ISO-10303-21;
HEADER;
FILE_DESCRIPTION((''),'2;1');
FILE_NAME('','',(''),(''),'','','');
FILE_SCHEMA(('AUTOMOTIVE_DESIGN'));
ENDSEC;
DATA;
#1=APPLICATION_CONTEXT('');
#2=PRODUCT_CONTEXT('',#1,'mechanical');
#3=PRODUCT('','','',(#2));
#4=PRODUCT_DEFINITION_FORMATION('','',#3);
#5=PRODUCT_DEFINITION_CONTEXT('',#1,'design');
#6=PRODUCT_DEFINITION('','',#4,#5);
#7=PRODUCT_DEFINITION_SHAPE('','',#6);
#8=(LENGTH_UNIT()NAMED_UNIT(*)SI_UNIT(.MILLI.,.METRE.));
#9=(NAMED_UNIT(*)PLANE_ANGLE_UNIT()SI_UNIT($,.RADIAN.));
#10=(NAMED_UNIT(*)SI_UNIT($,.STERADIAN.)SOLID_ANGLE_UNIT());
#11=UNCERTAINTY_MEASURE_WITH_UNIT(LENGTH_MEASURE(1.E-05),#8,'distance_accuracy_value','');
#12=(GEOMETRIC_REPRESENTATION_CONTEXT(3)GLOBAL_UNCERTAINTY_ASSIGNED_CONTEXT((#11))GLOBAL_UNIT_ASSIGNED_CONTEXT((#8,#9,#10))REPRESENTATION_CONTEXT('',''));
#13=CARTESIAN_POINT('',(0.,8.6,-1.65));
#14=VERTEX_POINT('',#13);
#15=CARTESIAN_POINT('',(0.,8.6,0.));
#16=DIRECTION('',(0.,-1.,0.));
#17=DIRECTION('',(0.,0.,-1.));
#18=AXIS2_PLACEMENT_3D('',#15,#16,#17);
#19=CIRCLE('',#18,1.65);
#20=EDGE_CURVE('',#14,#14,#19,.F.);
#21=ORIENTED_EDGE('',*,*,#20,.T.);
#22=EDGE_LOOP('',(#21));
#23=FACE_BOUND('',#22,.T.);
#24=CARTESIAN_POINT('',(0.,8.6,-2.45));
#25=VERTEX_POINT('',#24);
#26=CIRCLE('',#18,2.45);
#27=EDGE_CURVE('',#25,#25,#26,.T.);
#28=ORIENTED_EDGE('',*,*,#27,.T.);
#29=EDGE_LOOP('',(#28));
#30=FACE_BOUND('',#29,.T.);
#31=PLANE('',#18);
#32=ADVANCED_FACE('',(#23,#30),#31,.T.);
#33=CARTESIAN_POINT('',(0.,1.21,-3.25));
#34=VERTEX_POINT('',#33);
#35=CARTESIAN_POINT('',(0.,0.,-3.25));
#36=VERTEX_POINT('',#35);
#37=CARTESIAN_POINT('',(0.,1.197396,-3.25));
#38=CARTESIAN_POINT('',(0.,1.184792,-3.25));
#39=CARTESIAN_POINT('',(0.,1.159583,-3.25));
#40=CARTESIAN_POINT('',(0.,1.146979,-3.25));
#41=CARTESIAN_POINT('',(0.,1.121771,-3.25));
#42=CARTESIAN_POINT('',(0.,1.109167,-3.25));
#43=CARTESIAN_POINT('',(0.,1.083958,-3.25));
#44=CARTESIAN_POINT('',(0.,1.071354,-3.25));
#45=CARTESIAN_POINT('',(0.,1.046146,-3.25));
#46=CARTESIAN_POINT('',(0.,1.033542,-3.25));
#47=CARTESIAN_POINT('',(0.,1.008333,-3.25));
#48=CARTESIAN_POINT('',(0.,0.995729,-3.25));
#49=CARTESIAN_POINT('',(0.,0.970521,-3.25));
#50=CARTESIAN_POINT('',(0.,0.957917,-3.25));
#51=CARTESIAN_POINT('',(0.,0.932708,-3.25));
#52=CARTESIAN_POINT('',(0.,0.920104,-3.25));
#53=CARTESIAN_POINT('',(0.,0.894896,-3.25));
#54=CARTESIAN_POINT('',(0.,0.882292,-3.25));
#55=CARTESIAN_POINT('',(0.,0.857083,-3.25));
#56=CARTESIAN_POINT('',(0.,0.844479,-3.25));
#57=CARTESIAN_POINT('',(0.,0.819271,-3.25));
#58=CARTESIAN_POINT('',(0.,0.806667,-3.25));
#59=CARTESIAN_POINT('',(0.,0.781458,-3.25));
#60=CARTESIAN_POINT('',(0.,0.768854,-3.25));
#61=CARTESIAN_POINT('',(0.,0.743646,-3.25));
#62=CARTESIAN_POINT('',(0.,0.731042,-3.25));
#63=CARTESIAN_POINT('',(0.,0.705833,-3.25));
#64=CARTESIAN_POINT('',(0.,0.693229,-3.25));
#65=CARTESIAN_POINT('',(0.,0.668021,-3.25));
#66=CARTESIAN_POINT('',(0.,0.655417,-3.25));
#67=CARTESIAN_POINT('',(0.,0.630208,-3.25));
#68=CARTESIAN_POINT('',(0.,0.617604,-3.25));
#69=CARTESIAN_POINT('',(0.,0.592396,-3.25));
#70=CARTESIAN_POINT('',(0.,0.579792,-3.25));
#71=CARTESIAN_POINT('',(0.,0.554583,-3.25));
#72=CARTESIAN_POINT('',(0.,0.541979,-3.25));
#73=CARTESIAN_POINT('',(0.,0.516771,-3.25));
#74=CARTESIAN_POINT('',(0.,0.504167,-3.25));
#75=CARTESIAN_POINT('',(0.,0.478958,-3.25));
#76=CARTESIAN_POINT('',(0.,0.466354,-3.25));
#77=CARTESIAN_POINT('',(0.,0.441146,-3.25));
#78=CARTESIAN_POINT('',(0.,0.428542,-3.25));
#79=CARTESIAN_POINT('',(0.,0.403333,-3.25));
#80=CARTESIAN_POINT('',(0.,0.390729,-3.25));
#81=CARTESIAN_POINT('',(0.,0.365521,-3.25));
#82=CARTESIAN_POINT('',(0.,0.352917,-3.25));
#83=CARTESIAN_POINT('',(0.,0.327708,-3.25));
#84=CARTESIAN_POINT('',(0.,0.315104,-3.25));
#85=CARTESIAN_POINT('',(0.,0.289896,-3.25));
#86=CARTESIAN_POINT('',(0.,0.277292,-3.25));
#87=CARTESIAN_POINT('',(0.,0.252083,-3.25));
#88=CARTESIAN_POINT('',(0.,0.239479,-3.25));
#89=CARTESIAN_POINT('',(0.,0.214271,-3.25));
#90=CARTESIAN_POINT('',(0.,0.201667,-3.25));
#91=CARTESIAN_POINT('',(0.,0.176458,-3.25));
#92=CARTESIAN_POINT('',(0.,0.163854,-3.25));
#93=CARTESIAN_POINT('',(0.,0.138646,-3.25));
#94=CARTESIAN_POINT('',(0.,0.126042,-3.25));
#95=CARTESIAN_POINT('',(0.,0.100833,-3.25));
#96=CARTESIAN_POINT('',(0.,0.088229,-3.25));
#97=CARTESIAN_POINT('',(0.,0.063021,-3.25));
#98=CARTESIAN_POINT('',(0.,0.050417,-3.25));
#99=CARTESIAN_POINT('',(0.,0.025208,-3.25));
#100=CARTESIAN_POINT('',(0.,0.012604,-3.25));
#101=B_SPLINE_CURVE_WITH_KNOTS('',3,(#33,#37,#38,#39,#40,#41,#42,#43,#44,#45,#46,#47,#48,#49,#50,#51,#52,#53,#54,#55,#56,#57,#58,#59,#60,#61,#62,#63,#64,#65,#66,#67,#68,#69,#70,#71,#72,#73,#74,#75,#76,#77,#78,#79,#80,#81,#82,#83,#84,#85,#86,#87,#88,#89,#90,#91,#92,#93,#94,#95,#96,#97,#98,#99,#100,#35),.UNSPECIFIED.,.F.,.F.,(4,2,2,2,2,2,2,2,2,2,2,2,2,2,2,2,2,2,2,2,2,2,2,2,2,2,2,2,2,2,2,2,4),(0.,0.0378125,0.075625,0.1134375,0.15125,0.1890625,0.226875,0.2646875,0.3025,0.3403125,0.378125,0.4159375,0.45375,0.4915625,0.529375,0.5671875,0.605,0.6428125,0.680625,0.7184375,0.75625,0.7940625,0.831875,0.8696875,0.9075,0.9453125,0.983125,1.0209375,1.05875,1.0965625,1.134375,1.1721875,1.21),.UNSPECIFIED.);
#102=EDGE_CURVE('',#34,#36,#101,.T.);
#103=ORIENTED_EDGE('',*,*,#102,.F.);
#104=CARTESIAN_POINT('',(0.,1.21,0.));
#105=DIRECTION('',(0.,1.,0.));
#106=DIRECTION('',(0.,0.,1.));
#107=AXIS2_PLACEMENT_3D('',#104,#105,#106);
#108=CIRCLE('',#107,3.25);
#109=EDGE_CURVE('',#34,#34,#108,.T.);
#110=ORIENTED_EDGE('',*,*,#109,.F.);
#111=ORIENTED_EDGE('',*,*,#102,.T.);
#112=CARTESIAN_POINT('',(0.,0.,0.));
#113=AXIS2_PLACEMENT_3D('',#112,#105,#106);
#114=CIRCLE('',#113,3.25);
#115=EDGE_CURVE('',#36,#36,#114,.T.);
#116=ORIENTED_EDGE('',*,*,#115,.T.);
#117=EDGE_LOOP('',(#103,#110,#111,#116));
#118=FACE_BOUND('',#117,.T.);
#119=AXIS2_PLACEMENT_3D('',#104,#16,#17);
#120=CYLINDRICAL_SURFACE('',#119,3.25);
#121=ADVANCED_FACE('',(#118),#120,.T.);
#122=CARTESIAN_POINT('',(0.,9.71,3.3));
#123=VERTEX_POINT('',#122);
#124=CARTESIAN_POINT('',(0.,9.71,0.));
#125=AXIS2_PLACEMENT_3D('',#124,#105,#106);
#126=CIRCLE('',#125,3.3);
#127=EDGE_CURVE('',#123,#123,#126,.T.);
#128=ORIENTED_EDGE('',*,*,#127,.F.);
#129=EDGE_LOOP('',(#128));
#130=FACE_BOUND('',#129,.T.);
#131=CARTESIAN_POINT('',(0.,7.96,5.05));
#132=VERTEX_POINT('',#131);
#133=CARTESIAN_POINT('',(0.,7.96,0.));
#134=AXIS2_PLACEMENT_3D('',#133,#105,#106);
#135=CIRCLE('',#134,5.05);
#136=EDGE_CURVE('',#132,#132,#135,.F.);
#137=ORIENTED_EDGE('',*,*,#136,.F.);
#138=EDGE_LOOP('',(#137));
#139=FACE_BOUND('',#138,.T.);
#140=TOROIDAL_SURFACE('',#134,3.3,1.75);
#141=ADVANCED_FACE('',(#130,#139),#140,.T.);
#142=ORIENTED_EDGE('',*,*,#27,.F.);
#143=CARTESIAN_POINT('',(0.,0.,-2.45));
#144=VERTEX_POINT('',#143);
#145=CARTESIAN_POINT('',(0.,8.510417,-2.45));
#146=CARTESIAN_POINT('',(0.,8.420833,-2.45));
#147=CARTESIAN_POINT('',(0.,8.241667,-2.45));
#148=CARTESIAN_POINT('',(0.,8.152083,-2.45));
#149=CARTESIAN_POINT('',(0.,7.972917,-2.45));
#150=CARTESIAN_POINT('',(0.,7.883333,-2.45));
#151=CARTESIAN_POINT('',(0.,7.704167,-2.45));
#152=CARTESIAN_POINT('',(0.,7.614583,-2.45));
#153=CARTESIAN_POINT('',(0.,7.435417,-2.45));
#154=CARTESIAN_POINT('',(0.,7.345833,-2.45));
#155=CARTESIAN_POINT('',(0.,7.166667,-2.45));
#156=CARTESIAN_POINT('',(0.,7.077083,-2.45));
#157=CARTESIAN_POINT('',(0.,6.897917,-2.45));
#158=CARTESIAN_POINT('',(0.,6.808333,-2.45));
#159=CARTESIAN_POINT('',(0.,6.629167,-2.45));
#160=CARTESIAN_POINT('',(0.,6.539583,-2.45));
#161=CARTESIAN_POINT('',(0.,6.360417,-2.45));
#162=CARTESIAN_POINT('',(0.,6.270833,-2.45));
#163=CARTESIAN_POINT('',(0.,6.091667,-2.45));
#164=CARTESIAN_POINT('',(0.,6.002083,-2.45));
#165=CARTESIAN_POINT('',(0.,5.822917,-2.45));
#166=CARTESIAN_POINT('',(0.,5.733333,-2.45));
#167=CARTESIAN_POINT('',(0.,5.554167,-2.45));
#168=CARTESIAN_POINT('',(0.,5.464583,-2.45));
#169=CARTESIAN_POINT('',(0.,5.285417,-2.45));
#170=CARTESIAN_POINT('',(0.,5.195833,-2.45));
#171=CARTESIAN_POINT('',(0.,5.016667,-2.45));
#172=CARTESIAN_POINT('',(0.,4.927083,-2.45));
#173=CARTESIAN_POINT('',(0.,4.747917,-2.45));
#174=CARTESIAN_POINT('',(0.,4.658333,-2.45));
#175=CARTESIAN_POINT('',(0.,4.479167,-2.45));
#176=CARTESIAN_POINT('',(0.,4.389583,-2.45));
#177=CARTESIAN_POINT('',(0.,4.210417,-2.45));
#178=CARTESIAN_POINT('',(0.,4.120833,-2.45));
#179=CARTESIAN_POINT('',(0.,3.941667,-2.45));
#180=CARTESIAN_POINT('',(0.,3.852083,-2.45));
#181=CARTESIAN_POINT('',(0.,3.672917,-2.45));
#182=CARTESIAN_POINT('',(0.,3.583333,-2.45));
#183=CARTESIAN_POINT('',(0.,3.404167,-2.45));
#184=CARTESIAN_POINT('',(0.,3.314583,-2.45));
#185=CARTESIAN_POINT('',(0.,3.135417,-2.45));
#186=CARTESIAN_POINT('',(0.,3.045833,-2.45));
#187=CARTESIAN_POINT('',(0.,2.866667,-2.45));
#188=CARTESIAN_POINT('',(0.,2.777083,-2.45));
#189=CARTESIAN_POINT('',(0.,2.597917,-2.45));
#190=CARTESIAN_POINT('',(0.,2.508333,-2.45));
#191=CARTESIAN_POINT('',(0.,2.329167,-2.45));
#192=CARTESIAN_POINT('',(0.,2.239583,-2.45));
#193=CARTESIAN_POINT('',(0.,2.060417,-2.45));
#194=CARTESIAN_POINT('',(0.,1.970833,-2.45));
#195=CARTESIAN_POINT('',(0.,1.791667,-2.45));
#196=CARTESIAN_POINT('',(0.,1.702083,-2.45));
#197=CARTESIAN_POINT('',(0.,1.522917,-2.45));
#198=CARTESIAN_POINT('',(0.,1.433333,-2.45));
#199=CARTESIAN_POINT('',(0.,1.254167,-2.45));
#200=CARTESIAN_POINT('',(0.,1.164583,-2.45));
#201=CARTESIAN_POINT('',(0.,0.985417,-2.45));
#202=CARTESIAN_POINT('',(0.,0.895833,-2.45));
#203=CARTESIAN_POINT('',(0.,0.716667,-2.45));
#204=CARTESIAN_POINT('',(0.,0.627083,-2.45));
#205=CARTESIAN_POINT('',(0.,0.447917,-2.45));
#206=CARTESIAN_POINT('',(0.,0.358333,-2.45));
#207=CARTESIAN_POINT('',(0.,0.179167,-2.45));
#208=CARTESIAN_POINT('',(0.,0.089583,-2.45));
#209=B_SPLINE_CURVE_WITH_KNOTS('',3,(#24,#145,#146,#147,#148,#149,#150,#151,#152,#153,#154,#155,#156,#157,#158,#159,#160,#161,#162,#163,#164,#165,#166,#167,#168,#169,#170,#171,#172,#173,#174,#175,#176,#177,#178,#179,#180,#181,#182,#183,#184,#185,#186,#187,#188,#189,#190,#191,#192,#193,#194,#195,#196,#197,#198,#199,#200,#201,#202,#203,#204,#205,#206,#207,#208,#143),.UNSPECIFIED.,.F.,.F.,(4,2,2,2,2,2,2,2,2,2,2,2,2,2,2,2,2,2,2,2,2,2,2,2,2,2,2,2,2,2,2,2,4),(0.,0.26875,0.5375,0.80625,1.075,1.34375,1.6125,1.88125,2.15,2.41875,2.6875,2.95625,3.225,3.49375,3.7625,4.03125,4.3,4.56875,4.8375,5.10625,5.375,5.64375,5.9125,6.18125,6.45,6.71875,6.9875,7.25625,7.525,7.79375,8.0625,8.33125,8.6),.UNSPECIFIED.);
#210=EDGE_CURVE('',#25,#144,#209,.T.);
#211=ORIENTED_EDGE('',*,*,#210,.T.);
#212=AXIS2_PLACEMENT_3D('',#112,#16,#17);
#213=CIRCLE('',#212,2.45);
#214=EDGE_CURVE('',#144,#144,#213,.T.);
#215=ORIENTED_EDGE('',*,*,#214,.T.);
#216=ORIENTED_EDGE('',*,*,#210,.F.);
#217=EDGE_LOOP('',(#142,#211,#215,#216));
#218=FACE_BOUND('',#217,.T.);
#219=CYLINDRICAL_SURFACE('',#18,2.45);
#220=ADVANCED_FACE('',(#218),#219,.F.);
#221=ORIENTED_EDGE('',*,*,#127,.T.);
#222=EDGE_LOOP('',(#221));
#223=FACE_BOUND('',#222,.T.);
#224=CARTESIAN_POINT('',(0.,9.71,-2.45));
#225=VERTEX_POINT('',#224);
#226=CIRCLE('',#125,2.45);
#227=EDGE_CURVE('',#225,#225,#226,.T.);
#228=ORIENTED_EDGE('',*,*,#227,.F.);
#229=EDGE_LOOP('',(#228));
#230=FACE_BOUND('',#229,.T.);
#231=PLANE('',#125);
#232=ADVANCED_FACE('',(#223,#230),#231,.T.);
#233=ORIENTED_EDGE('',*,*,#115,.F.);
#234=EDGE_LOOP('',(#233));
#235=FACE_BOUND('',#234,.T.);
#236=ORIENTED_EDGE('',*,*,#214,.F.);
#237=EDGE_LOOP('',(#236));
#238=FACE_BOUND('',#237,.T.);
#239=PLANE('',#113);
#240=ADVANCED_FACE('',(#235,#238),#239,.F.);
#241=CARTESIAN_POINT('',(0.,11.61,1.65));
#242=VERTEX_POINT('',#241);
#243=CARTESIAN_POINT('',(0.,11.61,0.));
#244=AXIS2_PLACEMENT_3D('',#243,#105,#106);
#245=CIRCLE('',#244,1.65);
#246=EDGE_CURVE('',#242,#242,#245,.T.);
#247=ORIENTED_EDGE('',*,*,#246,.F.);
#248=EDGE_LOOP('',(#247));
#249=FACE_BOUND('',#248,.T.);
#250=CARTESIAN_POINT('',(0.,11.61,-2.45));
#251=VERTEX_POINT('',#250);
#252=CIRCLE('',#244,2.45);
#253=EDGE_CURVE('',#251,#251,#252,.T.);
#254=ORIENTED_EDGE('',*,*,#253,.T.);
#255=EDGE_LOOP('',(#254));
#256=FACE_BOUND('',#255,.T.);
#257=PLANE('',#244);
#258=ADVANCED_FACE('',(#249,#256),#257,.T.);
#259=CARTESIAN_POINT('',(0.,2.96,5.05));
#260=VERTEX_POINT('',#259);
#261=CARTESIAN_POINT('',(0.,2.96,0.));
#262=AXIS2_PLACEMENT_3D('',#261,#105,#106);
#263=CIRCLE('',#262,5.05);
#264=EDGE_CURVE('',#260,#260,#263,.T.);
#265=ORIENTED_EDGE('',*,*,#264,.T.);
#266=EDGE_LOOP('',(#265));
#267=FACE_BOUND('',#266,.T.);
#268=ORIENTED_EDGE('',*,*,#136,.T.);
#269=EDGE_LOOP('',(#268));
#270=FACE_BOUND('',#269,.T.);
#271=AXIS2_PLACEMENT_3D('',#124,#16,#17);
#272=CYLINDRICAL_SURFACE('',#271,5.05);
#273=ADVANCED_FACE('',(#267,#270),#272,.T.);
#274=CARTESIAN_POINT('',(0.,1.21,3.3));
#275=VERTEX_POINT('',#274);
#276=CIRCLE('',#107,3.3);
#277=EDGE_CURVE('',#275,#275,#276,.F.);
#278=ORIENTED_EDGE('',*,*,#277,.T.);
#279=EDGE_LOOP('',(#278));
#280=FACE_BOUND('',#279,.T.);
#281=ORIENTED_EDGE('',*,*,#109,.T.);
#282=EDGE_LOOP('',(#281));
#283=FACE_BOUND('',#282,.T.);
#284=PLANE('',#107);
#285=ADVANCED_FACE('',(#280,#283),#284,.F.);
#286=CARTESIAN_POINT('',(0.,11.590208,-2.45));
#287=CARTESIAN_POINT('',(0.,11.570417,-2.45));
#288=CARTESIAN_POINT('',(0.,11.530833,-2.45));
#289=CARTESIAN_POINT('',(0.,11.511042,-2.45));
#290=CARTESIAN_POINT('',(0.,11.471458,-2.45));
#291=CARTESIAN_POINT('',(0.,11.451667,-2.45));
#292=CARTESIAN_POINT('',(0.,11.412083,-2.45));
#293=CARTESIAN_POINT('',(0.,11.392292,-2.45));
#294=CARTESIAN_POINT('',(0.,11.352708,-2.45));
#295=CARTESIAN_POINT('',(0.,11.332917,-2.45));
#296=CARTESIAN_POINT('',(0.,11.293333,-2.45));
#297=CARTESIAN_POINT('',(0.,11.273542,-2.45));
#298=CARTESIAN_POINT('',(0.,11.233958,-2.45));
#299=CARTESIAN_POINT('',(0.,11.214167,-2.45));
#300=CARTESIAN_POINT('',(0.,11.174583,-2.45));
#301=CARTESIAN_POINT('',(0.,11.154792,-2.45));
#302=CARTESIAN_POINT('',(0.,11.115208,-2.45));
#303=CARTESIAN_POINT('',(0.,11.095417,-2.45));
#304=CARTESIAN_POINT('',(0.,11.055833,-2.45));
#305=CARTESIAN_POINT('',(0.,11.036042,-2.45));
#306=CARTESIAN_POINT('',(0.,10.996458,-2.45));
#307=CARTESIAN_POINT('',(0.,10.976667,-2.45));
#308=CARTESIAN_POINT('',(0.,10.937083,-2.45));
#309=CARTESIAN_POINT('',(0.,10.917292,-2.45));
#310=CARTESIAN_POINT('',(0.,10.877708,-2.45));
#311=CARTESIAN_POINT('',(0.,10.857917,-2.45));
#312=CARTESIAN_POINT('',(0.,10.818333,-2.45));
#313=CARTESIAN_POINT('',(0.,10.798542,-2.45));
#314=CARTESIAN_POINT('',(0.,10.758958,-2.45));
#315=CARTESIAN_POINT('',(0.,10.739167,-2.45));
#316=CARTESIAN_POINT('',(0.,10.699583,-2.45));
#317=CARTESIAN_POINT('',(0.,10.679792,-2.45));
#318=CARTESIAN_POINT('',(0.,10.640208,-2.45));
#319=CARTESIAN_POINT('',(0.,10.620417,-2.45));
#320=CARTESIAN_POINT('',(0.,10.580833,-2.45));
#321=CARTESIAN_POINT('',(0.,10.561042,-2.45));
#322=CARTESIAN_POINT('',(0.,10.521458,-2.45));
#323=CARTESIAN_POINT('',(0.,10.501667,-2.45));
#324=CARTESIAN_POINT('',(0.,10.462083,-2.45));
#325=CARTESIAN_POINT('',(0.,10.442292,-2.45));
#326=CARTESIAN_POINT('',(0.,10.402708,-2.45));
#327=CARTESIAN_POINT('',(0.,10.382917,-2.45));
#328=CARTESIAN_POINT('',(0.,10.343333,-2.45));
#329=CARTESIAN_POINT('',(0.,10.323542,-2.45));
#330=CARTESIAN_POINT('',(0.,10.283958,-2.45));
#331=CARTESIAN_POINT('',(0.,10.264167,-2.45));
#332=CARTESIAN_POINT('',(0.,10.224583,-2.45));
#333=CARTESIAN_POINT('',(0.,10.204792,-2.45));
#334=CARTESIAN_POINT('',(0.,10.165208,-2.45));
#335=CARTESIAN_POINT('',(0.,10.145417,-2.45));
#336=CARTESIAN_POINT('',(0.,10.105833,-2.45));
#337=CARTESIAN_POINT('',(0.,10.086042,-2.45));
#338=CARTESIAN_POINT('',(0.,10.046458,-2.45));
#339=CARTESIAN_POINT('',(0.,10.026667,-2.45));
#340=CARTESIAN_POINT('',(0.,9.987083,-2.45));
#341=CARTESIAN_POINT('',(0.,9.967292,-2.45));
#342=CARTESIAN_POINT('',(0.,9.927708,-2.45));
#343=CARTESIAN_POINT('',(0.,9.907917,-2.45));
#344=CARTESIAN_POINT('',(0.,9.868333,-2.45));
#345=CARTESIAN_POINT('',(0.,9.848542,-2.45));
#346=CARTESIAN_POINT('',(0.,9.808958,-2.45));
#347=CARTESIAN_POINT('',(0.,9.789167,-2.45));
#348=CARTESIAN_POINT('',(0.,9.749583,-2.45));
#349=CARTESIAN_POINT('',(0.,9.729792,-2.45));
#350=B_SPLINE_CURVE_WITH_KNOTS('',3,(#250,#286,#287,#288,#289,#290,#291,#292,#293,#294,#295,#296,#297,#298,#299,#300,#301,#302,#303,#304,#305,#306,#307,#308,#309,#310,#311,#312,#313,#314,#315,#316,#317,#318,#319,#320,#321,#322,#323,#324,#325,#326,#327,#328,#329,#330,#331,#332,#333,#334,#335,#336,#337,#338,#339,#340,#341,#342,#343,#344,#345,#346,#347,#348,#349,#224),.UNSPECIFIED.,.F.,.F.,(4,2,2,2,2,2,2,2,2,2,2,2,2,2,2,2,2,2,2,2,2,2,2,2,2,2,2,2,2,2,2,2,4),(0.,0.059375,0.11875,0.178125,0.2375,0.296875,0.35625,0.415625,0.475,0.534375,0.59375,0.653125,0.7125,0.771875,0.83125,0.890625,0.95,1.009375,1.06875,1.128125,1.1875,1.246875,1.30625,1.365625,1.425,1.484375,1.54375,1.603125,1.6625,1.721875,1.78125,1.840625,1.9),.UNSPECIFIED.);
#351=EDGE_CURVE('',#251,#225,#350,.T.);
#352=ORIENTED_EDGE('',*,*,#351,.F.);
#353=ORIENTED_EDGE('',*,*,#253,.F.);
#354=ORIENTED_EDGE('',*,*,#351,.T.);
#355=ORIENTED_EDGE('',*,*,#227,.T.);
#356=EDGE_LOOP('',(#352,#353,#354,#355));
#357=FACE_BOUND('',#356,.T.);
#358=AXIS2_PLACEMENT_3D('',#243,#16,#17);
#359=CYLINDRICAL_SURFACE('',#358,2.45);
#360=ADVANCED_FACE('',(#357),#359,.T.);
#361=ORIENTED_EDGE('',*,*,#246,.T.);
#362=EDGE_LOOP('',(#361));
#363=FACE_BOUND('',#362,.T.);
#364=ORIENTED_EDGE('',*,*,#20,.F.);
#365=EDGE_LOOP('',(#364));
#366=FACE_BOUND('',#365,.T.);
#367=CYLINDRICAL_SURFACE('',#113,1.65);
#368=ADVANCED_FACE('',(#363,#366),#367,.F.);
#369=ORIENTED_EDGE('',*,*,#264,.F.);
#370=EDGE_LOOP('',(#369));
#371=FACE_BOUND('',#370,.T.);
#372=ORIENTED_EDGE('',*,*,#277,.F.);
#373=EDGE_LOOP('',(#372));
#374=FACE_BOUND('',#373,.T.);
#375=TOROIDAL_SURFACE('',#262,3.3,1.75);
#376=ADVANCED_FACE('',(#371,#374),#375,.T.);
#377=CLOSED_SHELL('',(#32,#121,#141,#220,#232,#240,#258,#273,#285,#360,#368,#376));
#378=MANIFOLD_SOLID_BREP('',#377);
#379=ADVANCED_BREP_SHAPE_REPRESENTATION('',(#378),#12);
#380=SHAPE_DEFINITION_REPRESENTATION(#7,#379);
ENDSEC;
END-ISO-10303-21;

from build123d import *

# Parameters (mm, degrees)
SKETCH1_R           = 3.25
BOSS_EXTRUDE1_DEPTH = 1.21
SKETCH2_R           = 5.05
BOSS_EXTRUDE2_DEPTH = 8.5
SKETCH3_R           = 2.45
BOSS_EXTRUDE3_DEPTH = 1.9
FILLET1_R           = 1.75
FILLET2_R           = 1.75
SKETCH4_R           = 1.65
CUT_EXTRUDE1_DEPTH  = 14.630740992
SKETCH5_R           = 2.45
CUT_EXTRUDE3_DEPTH  = 8.6


with BuildPart() as part:
    # Sketch1 → Boss-Extrude1 (new body)
    with BuildSketch(Plane(origin=(0, 0, 0), x_dir=(1, 0, 0), z_dir=(0, 1, 0))):
        with Locations(Location((0, 0, 0), (0, 0, 90))):
            Circle(SKETCH1_R)
    extrude(amount=BOSS_EXTRUDE1_DEPTH)

    # Sketch2 → Boss-Extrude2 (add)
    with BuildSketch(Plane(origin=(0, 1.21, 0), x_dir=(1, 0, 0), z_dir=(0, 1, 0))):
        with Locations(Location((0, 0, 0), (0, 0, 270))):
            Circle(SKETCH2_R)
    extrude(amount=BOSS_EXTRUDE2_DEPTH)

    # Sketch3 → Boss-Extrude3 (add)
    with BuildSketch(Plane(origin=(0, 9.71, 0), x_dir=(1, 0, 0), z_dir=(0, 1, 0))):
        with Locations(Location((0, 0, 0), (0, 0, 90))):
            Circle(SKETCH3_R)
    extrude(amount=BOSS_EXTRUDE3_DEPTH)

    # Fillet1
    fillet1_edges = [part.edges().sort_by_distance(p)[0] for p in [
        (0, 9.71, -5.05),
    ]]
    fillet(fillet1_edges, radius=FILLET1_R)

    # Fillet2
    fillet2_edges = [part.edges().sort_by_distance(p)[0] for p in [
        (0, 1.21, -5.05),
    ]]
    fillet(fillet2_edges, radius=FILLET2_R)

    # Sketch4 → Cut-Extrude1 (cut, through all)
    with BuildSketch(Plane(origin=(0, 11.61, 0), x_dir=(1, 0, 0), z_dir=(0, 1, 0))):
        with Locations(Location((0, 0, 0), (0, 0, 270))):
            Circle(SKETCH4_R)
    extrude(amount=-CUT_EXTRUDE1_DEPTH, mode=Mode.SUBTRACT)

    # Sketch5 → Cut-Extrude3 (cut)
    with BuildSketch(Plane.XZ):
        with Locations(Location((0, 0, 0), (0, 0, 270))):
            Circle(SKETCH5_R)
    extrude(amount=-CUT_EXTRUDE3_DEPTH, mode=Mode.SUBTRACT)


solid = part.part
